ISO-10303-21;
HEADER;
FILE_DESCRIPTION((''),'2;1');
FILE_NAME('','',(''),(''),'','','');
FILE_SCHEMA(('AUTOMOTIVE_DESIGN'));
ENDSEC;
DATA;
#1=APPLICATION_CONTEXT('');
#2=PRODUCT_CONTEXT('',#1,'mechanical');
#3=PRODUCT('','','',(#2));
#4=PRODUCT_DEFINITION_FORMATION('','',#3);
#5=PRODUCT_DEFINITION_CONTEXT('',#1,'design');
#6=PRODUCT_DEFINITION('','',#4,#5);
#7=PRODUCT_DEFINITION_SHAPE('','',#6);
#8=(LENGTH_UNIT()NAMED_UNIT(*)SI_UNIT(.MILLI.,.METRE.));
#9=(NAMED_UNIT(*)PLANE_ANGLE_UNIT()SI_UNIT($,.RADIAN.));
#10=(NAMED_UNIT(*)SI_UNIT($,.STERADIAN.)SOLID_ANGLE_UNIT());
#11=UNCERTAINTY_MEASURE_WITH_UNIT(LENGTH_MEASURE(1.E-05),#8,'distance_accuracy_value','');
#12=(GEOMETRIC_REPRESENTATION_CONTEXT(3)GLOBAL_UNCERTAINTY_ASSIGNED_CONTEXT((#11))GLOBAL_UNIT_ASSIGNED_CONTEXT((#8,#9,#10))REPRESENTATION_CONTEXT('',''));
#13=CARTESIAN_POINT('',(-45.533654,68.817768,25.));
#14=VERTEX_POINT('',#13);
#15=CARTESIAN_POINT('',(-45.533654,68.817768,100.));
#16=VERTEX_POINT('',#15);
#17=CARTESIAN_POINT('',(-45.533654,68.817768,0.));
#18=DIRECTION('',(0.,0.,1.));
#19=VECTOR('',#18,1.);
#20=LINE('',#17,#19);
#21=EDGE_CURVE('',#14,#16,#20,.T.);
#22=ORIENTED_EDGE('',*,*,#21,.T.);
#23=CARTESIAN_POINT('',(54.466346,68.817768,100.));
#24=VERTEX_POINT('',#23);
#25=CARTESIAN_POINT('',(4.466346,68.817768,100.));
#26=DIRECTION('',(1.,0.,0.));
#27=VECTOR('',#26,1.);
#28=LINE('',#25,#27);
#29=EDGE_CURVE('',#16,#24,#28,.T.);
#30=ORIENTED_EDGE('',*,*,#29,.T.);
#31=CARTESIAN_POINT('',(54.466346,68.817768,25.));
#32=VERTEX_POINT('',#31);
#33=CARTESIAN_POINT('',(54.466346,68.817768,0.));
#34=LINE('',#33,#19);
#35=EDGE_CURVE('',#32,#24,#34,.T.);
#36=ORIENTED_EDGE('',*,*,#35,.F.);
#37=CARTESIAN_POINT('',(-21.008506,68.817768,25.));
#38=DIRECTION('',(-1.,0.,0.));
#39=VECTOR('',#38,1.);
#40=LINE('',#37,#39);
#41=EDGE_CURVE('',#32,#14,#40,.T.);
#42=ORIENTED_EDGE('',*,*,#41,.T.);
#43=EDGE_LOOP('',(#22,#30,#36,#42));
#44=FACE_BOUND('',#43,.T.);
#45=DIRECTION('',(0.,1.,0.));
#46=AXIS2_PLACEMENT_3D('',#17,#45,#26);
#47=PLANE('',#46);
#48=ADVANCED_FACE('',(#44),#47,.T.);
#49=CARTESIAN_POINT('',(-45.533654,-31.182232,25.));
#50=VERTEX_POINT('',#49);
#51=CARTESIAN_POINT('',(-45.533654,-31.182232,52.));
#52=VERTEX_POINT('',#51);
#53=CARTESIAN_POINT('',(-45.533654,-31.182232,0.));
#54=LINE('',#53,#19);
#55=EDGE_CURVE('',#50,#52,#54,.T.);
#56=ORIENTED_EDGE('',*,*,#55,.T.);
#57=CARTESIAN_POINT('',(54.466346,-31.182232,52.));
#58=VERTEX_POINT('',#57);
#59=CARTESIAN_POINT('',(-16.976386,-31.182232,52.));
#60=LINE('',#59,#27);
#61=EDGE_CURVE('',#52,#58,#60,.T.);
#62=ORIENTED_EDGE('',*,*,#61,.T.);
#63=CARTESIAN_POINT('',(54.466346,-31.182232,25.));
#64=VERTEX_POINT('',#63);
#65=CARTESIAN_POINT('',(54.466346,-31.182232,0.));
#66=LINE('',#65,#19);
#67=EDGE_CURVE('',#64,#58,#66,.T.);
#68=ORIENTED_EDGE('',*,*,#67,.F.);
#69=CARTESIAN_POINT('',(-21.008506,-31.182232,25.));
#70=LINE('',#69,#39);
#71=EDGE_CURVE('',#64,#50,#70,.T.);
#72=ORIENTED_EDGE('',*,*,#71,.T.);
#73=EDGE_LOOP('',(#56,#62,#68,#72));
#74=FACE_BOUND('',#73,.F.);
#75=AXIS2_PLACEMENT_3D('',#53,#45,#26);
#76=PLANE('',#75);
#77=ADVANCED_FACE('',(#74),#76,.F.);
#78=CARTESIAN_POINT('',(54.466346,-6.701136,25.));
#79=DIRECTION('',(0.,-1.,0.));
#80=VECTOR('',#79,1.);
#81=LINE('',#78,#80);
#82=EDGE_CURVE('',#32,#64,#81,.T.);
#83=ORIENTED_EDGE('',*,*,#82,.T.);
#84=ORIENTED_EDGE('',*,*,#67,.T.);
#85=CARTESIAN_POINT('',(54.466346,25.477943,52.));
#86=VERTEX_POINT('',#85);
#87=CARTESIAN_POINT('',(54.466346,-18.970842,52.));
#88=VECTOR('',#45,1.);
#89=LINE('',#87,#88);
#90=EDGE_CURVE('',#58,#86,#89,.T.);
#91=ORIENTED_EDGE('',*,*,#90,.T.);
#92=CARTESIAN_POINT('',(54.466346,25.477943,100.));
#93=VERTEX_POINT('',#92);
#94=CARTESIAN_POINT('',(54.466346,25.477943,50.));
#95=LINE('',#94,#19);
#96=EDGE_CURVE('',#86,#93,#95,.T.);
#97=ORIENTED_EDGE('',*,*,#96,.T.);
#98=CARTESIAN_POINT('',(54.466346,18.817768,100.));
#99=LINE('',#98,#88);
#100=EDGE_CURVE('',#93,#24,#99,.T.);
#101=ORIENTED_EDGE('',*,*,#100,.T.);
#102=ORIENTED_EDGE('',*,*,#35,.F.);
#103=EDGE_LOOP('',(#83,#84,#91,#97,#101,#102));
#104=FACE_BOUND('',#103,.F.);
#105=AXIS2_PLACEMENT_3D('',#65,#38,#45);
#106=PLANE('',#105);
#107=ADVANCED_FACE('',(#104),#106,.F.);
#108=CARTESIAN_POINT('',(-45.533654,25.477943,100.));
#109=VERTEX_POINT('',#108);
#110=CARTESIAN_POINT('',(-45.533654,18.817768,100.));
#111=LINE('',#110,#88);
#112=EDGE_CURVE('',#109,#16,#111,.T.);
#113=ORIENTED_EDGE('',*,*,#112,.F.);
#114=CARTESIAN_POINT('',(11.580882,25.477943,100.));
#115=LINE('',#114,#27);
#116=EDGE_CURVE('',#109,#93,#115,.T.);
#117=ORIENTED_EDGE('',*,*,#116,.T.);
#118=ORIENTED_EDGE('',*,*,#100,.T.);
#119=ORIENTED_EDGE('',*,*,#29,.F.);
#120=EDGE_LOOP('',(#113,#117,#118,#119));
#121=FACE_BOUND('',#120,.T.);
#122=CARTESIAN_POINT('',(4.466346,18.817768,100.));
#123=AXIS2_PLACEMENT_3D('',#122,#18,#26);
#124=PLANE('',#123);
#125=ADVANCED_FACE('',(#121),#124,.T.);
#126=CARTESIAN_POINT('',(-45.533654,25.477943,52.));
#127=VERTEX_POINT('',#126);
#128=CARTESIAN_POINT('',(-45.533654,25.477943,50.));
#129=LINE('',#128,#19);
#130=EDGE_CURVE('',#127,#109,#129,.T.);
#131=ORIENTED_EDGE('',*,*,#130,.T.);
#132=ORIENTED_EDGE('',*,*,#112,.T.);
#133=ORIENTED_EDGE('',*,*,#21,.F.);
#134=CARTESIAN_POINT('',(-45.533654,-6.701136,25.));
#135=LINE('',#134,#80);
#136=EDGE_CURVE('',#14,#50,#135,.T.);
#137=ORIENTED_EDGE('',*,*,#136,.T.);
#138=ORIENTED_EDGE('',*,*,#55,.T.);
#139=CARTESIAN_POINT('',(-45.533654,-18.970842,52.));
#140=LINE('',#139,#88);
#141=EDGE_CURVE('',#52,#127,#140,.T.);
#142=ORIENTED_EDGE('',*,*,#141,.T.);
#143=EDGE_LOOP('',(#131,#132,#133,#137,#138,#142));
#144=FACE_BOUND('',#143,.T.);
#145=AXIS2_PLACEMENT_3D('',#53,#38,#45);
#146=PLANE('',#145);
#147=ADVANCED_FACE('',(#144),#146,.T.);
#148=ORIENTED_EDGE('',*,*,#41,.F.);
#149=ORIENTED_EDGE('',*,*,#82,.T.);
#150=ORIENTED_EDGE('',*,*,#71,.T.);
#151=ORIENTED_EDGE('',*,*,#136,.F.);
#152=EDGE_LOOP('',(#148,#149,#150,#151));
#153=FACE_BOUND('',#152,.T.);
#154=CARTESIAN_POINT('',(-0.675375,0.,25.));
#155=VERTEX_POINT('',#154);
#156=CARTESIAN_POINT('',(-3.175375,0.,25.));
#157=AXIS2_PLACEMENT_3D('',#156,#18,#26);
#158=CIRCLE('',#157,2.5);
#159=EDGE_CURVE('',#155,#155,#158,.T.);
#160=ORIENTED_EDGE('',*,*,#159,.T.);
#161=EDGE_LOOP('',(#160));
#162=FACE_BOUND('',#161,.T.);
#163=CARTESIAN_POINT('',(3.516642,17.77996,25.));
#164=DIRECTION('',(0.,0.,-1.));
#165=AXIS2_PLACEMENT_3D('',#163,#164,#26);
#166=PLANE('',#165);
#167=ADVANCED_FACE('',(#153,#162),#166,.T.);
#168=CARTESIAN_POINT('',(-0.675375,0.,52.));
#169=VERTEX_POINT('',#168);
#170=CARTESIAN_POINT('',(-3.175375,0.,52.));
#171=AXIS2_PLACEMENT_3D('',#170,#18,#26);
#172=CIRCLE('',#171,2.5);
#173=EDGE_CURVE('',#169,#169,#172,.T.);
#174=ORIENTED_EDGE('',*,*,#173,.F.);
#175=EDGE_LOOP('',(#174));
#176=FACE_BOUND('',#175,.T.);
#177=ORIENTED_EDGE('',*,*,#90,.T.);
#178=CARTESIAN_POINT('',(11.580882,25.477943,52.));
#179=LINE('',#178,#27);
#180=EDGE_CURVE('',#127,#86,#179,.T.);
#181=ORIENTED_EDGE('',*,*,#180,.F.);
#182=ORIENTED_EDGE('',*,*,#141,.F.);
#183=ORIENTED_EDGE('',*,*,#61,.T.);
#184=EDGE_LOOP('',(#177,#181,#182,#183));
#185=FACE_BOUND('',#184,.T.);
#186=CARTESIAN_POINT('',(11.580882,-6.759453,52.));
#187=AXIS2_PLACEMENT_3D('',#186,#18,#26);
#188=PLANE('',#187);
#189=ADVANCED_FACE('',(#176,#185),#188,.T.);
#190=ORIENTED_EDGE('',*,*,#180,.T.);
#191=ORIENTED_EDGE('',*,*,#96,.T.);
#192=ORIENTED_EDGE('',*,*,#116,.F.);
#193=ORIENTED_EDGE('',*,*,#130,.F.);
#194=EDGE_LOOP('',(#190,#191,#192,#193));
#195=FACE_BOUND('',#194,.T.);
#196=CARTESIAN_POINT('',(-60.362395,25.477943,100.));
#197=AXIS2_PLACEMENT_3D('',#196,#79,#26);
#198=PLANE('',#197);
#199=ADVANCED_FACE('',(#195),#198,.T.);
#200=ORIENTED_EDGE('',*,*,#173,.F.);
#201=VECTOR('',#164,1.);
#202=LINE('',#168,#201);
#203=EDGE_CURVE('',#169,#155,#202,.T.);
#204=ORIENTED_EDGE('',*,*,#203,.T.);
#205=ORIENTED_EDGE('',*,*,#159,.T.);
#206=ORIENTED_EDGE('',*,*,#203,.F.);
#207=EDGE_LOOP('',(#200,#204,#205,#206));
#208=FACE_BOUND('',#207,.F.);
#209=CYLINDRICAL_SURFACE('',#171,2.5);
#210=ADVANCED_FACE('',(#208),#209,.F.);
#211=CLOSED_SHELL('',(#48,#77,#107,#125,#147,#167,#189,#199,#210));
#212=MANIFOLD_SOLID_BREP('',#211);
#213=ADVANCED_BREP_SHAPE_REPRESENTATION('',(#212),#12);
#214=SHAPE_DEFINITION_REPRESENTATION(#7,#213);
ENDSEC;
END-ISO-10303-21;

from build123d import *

# Parameters (mm, degrees)
F0_W     = 100
F0_H     = 100
F1_DEPTH = 100
F2_W     = 143.886555
F2_H     = 64.474793
F3_DEPTH = 48
F4_R     = 2.5
F5_DEPTH = 52.001
F6_W     = 124.598865
F6_H     = 122.024197
F7_DEPTH = 25


with BuildPart() as f1:
    # F0 (on Top) → F1 (new body)
    with BuildSketch(Plane.XY):
        with Locations((4.466346, 18.817768)):
            Rectangle(F0_W, F0_H)
    extrude(amount=F1_DEPTH)

    # F2 (on face) → F3 (cut)
    with BuildSketch(Plane.XY.offset(100)):
        with Locations((11.580882, -6.759453)):
            Rectangle(F2_W, F2_H)
    extrude(amount=-F3_DEPTH, mode=Mode.SUBTRACT)

    # F4 (on face) → F5 (cut, through all)
    with BuildSketch(Plane.XY.offset(52)):
        with Locations((-3.175375, 0)):
            Circle(F4_R)
    extrude(amount=-F5_DEPTH, mode=Mode.SUBTRACT)

    # F6 (on face) → F7 (cut)
    with BuildSketch(Plane(origin=(0, 0, 0), x_dir=(1, 0, 0), z_dir=(0, 0, -1))):
        with Locations((3.516642, -17.77996)):
            Rectangle(F6_W, F6_H)
    extrude(amount=-F7_DEPTH, mode=Mode.SUBTRACT)


solid = f1.part
